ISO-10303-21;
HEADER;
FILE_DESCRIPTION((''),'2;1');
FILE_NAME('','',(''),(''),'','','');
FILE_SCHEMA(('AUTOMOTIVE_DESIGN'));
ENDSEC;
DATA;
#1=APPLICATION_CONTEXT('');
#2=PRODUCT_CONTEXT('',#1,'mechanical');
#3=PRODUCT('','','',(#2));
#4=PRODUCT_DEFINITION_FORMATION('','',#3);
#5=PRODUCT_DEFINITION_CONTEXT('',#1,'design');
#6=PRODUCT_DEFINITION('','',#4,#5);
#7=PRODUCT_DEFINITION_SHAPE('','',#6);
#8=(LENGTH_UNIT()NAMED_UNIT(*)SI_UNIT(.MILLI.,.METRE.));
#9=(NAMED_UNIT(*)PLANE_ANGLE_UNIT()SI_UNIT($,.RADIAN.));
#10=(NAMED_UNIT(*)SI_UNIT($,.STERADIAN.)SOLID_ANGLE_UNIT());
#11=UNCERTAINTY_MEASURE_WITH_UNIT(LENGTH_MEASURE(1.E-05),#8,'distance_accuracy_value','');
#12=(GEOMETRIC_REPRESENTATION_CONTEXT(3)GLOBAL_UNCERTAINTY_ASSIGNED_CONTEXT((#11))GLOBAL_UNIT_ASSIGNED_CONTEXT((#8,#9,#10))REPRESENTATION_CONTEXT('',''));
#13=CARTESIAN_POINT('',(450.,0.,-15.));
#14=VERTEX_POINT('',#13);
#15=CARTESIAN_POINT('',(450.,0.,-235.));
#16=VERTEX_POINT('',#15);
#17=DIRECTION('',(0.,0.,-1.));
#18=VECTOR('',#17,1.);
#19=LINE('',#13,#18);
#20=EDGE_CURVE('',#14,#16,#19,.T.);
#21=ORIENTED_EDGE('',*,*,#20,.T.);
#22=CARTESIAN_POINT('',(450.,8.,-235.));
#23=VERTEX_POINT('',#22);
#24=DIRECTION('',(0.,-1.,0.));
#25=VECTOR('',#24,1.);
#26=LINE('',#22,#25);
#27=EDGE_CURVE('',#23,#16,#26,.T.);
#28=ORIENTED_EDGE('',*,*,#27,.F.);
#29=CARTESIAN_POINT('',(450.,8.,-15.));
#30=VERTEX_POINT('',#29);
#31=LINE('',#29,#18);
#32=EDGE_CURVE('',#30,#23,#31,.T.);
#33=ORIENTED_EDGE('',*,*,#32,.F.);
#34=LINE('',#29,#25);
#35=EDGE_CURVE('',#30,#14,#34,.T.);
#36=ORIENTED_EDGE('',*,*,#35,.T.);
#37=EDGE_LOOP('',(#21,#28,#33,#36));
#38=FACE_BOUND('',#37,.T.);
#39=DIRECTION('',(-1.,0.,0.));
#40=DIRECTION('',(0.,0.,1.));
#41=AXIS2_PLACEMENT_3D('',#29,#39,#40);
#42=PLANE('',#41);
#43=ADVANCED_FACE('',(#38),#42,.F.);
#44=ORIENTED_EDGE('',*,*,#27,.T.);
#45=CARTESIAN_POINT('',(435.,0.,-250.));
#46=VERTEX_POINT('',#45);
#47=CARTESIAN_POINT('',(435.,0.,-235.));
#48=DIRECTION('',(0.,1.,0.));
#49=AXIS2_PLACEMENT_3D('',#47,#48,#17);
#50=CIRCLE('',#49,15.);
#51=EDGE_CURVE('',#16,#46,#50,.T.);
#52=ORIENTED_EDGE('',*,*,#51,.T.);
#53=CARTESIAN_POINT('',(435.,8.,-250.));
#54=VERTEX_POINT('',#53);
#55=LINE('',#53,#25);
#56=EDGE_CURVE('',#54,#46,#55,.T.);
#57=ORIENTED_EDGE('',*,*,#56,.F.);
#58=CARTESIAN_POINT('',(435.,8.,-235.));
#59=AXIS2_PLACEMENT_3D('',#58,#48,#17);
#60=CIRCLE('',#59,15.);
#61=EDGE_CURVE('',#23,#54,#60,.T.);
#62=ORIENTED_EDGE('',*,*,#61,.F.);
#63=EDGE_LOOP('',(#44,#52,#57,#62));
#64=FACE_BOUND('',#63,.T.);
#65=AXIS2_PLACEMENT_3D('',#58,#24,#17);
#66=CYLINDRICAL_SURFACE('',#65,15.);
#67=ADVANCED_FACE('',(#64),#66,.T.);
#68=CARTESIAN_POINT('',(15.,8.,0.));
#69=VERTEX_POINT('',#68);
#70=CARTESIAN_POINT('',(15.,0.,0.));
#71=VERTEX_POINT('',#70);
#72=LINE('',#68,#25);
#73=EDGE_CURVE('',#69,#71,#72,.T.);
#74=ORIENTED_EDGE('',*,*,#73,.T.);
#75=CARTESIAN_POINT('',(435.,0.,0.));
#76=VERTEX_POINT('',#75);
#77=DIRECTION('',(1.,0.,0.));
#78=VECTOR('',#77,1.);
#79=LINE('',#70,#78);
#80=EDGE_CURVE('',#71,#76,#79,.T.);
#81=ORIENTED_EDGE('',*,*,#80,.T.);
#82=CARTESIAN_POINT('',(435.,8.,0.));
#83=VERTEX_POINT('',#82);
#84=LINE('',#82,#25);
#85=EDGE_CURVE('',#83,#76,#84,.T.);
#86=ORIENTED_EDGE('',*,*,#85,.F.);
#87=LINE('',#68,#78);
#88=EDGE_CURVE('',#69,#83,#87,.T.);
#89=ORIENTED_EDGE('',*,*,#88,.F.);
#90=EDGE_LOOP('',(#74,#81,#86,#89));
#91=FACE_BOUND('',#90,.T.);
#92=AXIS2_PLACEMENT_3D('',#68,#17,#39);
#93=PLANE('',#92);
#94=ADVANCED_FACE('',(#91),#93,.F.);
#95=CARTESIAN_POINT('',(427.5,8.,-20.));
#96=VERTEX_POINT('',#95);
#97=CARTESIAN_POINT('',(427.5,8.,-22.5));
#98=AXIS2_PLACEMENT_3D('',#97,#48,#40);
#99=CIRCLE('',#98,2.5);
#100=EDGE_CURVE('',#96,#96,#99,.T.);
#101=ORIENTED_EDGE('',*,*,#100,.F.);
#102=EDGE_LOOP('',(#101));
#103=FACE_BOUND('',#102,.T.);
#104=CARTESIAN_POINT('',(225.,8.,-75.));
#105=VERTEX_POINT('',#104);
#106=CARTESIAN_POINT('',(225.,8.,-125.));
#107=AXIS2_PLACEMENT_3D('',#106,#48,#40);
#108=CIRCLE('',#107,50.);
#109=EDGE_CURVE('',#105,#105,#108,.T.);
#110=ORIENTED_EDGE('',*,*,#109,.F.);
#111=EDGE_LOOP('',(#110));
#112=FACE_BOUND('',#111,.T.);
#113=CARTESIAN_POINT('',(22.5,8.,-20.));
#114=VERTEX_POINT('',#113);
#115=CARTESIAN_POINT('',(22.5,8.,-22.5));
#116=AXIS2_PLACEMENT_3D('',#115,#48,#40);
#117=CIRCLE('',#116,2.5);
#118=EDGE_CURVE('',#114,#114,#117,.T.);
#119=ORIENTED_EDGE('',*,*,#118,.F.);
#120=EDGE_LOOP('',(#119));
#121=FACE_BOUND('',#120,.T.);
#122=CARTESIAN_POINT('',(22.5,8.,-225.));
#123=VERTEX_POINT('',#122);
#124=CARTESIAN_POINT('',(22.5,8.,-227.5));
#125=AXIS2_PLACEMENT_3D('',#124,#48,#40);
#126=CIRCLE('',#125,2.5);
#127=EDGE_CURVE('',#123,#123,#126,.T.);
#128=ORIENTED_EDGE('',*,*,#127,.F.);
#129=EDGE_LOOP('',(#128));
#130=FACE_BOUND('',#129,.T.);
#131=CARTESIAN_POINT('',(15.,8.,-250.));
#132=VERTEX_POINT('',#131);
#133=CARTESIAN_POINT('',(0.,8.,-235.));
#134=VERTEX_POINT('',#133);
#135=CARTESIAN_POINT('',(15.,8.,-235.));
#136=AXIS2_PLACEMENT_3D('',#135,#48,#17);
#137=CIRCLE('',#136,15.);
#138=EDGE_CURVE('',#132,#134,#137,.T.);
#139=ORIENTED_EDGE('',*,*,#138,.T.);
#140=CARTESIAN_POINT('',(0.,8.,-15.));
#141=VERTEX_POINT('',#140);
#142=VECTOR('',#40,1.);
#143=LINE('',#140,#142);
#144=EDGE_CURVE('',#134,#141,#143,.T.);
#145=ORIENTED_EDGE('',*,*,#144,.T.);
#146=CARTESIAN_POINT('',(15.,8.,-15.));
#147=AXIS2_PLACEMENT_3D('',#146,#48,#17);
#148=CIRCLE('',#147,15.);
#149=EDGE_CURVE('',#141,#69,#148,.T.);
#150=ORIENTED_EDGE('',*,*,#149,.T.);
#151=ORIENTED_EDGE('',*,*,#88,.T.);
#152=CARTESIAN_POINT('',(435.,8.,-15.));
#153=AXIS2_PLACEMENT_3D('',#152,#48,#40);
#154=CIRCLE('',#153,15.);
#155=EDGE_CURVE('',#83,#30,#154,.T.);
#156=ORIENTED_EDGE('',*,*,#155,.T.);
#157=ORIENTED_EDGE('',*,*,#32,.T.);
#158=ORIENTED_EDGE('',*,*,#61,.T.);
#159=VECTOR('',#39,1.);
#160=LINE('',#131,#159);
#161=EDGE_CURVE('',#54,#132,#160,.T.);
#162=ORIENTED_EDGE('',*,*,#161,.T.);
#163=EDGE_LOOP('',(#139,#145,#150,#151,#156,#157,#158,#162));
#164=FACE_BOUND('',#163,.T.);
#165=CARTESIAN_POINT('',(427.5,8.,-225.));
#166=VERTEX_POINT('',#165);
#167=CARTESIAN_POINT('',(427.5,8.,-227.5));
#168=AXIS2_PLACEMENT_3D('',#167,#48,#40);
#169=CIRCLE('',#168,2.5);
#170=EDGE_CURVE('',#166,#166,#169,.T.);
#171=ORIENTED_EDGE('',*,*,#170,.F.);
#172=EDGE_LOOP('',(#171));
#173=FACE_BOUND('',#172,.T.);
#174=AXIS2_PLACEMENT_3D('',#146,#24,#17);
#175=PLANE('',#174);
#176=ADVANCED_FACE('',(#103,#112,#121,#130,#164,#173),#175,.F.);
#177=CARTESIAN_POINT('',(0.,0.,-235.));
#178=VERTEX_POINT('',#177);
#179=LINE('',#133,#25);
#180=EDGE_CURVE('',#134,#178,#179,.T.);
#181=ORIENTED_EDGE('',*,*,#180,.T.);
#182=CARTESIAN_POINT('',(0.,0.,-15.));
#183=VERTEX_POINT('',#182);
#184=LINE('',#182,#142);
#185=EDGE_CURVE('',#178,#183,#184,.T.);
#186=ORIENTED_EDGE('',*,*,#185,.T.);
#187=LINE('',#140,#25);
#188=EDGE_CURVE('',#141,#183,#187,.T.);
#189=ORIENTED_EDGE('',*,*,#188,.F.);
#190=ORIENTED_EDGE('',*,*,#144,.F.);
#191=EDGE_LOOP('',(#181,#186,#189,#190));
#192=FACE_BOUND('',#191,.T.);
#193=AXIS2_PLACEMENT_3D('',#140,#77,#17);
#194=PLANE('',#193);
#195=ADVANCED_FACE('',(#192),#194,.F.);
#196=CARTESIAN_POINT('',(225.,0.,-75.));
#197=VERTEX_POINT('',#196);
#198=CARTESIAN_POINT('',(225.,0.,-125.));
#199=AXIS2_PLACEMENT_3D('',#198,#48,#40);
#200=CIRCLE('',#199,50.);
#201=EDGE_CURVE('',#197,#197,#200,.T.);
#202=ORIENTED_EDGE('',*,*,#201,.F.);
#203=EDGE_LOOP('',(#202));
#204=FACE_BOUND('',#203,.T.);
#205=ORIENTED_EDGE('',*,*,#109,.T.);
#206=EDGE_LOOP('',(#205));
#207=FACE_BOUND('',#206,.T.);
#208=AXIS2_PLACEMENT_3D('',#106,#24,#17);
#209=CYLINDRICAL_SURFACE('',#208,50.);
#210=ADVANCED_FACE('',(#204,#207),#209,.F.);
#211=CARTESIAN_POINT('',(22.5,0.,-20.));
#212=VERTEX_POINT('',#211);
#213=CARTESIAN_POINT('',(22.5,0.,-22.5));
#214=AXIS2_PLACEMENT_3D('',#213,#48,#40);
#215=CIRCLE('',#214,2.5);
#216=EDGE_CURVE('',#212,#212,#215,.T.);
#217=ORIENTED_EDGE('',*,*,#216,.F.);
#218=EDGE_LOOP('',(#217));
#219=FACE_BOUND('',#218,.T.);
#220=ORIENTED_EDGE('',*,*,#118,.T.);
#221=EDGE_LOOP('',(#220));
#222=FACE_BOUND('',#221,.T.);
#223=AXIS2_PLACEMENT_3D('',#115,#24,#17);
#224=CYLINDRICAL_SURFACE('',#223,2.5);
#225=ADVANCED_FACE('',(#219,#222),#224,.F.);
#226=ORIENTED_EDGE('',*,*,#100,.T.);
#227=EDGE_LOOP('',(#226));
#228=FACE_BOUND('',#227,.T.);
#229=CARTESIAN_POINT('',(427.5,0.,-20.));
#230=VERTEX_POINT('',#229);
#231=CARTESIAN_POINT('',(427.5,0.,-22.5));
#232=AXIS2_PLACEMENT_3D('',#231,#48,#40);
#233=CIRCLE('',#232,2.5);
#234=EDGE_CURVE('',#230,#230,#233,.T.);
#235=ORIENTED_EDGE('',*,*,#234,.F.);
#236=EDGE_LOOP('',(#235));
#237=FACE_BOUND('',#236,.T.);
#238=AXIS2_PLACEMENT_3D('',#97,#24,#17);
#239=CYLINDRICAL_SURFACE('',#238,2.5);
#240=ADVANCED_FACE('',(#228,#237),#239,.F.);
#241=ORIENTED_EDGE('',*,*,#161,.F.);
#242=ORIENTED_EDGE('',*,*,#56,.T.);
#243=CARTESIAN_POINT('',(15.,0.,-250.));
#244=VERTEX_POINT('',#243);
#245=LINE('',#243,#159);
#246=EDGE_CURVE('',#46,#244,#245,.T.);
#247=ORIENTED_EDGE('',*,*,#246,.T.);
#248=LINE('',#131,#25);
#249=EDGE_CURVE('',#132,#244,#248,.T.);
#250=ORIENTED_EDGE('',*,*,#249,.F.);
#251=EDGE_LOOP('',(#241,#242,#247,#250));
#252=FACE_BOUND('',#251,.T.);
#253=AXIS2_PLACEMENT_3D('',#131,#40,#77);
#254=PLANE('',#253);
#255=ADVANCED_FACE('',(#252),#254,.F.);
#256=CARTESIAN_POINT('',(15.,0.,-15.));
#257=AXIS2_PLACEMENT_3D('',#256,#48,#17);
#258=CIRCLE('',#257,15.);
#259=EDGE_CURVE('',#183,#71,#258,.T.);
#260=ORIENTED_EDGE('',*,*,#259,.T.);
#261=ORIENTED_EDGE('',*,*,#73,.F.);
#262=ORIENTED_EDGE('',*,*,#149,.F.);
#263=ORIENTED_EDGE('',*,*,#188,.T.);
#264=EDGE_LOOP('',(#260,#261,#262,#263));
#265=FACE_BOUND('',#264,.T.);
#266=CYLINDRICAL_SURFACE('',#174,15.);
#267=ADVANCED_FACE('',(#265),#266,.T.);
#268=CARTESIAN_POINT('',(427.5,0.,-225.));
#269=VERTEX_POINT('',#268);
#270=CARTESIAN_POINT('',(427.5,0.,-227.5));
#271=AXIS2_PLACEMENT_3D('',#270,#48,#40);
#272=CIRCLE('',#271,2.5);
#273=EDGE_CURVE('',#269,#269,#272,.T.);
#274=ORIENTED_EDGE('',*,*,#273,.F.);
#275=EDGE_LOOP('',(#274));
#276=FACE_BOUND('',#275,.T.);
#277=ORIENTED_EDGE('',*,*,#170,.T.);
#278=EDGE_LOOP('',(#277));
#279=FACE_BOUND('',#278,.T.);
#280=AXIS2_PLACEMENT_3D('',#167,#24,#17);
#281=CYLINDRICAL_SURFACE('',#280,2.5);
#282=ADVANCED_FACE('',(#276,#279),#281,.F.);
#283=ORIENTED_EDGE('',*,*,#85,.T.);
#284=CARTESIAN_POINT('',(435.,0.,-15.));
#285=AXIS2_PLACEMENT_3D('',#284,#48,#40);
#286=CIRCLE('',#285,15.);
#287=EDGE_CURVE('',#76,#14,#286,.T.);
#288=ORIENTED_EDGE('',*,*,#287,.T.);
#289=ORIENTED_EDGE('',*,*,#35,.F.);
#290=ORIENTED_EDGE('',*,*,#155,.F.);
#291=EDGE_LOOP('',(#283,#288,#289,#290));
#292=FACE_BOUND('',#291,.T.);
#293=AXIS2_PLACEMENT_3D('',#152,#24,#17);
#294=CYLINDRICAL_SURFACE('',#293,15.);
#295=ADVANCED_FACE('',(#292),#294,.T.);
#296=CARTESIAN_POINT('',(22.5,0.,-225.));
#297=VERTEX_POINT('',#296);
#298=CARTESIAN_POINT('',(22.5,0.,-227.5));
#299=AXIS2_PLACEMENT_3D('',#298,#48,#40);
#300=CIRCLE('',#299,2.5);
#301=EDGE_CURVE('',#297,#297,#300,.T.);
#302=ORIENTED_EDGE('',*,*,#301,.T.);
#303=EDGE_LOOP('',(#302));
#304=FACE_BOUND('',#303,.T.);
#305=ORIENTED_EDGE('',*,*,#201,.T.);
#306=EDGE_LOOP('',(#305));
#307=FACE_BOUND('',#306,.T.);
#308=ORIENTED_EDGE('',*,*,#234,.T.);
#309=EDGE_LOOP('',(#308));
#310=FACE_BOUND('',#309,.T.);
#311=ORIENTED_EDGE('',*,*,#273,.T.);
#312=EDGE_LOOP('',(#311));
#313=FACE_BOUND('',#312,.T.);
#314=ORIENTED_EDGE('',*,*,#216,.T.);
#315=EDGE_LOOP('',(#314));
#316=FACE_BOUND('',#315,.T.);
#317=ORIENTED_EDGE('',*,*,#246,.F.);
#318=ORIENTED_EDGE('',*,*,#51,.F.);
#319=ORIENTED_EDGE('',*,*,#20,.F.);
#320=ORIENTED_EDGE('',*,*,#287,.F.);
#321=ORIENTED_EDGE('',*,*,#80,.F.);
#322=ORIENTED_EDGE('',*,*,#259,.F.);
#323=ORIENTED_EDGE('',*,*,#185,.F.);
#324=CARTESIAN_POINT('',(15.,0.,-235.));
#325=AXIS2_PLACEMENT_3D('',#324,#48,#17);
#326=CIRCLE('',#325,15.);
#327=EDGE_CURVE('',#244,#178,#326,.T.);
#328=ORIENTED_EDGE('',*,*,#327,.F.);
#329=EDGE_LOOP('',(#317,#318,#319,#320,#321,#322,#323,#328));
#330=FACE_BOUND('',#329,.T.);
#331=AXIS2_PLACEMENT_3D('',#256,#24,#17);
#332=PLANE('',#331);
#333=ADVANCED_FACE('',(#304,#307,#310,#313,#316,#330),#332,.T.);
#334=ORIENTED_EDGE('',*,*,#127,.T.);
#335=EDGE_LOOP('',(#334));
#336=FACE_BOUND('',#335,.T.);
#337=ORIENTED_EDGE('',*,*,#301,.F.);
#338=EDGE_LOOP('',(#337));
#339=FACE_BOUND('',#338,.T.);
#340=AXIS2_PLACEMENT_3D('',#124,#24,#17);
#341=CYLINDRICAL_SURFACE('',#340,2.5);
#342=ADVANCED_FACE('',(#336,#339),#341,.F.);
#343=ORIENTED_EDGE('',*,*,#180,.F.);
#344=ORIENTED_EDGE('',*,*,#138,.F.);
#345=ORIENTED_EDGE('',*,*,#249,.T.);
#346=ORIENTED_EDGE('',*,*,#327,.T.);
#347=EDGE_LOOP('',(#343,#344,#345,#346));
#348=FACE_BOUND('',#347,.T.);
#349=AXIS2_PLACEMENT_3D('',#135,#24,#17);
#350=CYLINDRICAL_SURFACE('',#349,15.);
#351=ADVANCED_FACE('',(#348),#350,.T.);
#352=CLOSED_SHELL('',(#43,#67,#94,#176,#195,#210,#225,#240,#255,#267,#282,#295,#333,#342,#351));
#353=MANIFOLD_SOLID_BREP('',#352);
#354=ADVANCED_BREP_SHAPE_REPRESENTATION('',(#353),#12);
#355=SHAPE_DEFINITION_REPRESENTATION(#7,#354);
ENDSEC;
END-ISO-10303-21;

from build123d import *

# Parameters (mm, degrees)
CROQUIS1_R              = 50
CROQUIS1_R_2            = 2.5
SALIENTE_EXTRUIR1_DEPTH = 8


with BuildPart() as part:
    # Croquis1 → Saliente-Extruir1 (new body)
    with BuildSketch(Plane(origin=(0, 0, 0), x_dir=(1, 0, 0), z_dir=(0, 1, 0))):
        with BuildLine():
            Line((15, 0), (435, 0))
            ThreePointArc((435, 0), (445.606601718, 4.393398282), (450, 15))
            Line((450, 15), (450, 235))
            ThreePointArc((450, 235), (445.606601718, 245.606601718), (435, 250))
            Line((435, 250), (15, 250))
            ThreePointArc((15, 250), (4.393398282, 245.606601718), (0, 235))
            Line((0, 235), (0, 15))
            ThreePointArc((0, 15), (4.393398282, 4.393398282), (15, 0))
        make_face()
        with Locations(Location((225, 125, 0), (0, 0, 270))):
            Circle(CROQUIS1_R, mode=Mode.SUBTRACT)
        with Locations(Location((22.5, 227.5, 0), (0, 0, 270))):
            Circle(CROQUIS1_R_2, mode=Mode.SUBTRACT)
        with Locations(Location((427.5, 227.5, 0), (0, 0, 270))):
            Circle(CROQUIS1_R_2, mode=Mode.SUBTRACT)
        with Locations(Location((427.5, 22.5, 0), (0, 0, 270))):
            Circle(CROQUIS1_R_2, mode=Mode.SUBTRACT)
        with Locations(Location((22.5, 22.5, 0), (0, 0, 270))):
            Circle(CROQUIS1_R_2, mode=Mode.SUBTRACT)
    extrude(amount=SALIENTE_EXTRUIR1_DEPTH)


solid = part.part
